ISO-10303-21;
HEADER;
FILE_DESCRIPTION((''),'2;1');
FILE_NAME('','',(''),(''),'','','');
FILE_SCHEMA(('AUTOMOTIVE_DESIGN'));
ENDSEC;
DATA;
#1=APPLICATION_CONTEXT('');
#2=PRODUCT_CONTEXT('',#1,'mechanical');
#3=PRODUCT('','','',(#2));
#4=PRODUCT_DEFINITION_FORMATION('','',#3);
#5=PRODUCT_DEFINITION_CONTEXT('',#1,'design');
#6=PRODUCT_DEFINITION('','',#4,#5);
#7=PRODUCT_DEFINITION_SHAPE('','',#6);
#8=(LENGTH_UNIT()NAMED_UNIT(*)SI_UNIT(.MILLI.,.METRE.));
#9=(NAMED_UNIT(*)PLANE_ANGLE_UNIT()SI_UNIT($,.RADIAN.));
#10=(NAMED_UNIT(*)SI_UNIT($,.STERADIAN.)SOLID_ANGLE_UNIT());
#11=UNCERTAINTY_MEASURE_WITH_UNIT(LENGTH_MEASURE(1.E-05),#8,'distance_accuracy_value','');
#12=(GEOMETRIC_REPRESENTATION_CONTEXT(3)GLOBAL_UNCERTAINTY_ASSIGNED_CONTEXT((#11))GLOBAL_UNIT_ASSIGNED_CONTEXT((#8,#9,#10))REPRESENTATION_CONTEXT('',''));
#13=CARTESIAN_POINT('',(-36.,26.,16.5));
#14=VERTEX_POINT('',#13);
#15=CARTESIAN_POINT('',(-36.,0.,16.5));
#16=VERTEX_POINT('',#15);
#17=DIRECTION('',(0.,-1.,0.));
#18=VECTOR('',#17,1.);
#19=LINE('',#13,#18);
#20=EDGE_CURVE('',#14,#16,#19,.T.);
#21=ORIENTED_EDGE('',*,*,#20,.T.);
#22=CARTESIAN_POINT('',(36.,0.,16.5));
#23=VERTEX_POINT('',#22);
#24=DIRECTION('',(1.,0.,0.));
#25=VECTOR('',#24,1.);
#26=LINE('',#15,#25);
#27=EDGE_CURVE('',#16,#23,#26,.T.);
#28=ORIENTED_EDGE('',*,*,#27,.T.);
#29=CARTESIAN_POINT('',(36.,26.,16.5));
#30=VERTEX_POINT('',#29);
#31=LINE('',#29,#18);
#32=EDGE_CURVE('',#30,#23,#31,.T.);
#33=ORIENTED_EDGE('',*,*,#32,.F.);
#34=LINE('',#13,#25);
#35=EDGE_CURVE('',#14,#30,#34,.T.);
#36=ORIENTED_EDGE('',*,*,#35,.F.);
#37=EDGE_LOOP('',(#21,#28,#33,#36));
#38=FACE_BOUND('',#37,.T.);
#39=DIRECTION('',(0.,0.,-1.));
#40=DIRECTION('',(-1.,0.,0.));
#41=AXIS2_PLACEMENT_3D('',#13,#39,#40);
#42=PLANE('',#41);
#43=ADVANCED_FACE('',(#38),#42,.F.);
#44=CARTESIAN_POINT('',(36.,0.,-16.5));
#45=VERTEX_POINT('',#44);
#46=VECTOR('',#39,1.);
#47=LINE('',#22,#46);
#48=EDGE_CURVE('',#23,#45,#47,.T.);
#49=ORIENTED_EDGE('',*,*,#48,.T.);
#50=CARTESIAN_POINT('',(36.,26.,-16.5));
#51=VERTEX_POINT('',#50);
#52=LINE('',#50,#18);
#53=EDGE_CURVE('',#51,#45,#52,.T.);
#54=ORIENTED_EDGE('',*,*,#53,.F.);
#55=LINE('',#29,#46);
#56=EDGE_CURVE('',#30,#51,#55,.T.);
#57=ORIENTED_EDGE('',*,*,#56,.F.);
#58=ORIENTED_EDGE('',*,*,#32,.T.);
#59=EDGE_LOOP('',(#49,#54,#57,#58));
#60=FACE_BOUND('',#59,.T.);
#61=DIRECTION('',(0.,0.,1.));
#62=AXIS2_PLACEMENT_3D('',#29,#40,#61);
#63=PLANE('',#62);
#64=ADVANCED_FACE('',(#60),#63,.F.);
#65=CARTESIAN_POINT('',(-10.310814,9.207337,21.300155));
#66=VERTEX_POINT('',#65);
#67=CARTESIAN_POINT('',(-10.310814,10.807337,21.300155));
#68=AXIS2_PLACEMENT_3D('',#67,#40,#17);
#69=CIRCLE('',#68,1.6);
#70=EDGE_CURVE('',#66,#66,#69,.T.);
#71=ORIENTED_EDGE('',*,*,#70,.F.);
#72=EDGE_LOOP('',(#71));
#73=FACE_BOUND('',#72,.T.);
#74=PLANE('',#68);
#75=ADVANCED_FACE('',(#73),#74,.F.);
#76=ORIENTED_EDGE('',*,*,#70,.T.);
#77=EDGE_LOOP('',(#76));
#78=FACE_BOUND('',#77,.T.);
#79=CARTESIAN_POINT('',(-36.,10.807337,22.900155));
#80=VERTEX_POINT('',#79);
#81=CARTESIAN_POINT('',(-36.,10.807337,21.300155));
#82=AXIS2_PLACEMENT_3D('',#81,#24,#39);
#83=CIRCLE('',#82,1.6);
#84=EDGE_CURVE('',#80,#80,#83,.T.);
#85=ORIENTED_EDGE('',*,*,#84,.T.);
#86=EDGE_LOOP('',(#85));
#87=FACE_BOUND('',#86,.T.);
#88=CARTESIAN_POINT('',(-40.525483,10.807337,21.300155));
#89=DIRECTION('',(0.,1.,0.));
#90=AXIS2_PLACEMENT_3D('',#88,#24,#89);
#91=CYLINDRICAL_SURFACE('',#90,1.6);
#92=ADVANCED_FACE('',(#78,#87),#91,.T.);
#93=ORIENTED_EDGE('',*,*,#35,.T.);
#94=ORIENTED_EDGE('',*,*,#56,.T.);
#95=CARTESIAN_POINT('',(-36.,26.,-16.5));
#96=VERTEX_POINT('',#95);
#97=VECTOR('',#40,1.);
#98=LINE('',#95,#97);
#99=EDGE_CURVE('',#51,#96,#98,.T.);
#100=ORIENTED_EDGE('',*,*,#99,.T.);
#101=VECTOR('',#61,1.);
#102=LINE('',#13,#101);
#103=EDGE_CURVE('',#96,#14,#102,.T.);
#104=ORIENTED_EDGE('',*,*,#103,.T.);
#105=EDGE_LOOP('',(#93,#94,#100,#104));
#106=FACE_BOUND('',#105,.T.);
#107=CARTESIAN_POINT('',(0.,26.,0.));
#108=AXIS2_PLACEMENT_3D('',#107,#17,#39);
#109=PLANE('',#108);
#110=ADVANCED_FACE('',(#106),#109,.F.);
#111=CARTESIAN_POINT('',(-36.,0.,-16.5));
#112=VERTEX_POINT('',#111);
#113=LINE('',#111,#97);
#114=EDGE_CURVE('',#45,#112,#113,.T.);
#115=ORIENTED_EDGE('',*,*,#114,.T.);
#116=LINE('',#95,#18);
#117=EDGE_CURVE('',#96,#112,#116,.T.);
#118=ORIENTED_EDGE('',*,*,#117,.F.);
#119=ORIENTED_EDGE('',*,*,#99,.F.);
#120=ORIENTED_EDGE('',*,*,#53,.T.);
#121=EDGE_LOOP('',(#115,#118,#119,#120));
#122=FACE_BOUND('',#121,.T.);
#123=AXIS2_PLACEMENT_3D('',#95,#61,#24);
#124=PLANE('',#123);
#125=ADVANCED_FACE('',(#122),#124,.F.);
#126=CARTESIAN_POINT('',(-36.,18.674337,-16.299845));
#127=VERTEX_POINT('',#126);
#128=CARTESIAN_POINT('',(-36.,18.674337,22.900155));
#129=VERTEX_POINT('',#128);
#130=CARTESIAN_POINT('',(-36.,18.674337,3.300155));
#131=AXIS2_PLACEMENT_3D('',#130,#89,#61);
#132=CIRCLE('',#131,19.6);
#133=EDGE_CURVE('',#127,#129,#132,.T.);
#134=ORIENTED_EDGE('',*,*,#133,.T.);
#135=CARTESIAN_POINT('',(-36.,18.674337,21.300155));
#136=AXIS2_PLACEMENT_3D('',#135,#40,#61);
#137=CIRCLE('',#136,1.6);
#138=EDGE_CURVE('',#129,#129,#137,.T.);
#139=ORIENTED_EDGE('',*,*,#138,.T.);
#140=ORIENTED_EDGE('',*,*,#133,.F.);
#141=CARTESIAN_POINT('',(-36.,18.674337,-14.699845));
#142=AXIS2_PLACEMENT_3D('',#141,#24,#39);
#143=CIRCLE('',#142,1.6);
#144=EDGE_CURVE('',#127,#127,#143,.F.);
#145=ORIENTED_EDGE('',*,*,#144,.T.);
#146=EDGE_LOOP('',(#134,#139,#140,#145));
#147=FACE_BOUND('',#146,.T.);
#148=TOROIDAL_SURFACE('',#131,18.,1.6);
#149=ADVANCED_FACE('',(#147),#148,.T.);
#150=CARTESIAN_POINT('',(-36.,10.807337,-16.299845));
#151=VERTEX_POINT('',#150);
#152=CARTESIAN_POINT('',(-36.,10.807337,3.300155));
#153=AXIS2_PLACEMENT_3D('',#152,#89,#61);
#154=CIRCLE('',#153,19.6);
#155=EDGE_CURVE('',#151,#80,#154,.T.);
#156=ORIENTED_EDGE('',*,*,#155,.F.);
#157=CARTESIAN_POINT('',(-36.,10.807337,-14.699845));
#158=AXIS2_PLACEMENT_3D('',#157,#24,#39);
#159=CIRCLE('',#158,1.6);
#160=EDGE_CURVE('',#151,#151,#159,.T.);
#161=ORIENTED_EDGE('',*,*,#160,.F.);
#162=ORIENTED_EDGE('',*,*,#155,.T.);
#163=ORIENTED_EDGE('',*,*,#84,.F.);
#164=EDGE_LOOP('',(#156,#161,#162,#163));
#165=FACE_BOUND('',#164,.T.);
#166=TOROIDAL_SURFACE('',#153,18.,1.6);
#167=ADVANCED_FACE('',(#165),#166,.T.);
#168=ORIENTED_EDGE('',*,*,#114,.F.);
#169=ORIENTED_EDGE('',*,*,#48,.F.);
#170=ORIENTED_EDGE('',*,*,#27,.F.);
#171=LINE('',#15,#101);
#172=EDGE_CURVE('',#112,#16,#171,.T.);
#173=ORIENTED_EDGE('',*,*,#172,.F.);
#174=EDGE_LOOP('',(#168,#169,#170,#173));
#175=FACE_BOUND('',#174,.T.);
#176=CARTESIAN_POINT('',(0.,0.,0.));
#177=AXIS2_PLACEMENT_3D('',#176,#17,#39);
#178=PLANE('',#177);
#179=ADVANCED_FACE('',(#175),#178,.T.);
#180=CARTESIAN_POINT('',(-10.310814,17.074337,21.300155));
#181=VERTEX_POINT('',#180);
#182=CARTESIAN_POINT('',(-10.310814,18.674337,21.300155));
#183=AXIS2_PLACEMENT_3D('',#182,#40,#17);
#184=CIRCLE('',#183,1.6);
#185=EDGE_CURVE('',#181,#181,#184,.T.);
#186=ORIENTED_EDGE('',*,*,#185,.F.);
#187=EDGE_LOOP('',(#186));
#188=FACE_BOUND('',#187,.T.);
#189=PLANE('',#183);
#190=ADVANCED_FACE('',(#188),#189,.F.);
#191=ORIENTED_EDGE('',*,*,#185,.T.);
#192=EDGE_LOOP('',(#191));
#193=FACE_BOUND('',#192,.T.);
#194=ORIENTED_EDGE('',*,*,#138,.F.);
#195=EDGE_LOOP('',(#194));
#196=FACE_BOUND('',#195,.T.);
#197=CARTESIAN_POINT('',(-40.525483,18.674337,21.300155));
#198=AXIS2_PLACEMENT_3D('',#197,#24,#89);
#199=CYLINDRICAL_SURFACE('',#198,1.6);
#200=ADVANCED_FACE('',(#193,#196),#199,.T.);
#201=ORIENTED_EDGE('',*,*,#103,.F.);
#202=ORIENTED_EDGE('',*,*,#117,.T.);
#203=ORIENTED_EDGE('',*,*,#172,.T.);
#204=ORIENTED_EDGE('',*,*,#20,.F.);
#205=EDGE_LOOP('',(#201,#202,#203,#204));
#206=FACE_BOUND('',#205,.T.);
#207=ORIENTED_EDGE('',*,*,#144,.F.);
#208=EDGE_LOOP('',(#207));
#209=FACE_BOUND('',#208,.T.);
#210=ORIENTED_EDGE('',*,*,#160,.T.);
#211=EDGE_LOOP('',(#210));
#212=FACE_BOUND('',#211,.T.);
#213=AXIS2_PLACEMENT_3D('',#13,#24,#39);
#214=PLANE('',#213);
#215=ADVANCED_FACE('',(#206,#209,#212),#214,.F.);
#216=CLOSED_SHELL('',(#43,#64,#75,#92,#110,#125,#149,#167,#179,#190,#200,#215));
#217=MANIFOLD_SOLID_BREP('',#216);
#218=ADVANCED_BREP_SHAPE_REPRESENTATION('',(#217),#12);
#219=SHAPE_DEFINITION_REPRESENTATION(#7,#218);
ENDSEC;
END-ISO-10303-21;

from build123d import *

# Parameters (mm, degrees)
ESQUISSE1_W          = 72
ESQUISSE1_H          = 33
BOSS_EXTRU_1_DEPTH   = 26
ESQUISSE3_R          = 1.6
BOSS_EXTRU_2_DEPTH   = 25.689186
BOSS_EXTRU_2_2_DEPTH = 25.689186
ESQUISSE4_R          = 1.6
R_VOLUTION1_ANGLE    = 180


with BuildPart() as part:
    # Esquisse1 → Boss.-Extru.1 (new body)
    with BuildSketch(Plane(origin=(0, 0, 0), x_dir=(1, 0, 0), z_dir=(0, 1, 0))):
        Rectangle(ESQUISSE1_W, ESQUISSE1_H)
    extrude(amount=BOSS_EXTRU_1_DEPTH)



with BuildPart() as body_2:
    # Esquisse3 → Boss.-Extru.2 (new body)
    with BuildSketch(Plane.ZY.offset(10.310814339)):
        with Locations((21.300154865, 18.67433682)):
            Circle(ESQUISSE3_R)
    extrude(amount=BOSS_EXTRU_2_DEPTH)


with BuildPart() as body_3:
    # Esquisse3 → Boss.-Extru.2 2 (new body)
    with BuildSketch(Plane.ZY.offset(10.310814339)):
        with Locations((21.300154865, 10.80733682)):
            Circle(ESQUISSE3_R)
    extrude(amount=BOSS_EXTRU_2_2_DEPTH)


with BuildPart() as part_1:
    add(part.part)

    add(body_2.part)  # Révolution1 merges body 2

    add(body_3.part)  # Révolution1 merges body 3
    # Esquisse4 → Révolution1 (revolve)
    with BuildSketch(Plane.ZY.offset(36)):
        with Locations((21.300154865, 18.67433682)):
            Circle(ESQUISSE4_R)
        with Locations((21.300154865, 10.80733682)):
            Circle(ESQUISSE4_R)
    revolve(axis=Axis((-36, 26, 3.300154865), (0, -1, 0)), revolution_arc=R_VOLUTION1_ANGLE)


solid = part_1.part
